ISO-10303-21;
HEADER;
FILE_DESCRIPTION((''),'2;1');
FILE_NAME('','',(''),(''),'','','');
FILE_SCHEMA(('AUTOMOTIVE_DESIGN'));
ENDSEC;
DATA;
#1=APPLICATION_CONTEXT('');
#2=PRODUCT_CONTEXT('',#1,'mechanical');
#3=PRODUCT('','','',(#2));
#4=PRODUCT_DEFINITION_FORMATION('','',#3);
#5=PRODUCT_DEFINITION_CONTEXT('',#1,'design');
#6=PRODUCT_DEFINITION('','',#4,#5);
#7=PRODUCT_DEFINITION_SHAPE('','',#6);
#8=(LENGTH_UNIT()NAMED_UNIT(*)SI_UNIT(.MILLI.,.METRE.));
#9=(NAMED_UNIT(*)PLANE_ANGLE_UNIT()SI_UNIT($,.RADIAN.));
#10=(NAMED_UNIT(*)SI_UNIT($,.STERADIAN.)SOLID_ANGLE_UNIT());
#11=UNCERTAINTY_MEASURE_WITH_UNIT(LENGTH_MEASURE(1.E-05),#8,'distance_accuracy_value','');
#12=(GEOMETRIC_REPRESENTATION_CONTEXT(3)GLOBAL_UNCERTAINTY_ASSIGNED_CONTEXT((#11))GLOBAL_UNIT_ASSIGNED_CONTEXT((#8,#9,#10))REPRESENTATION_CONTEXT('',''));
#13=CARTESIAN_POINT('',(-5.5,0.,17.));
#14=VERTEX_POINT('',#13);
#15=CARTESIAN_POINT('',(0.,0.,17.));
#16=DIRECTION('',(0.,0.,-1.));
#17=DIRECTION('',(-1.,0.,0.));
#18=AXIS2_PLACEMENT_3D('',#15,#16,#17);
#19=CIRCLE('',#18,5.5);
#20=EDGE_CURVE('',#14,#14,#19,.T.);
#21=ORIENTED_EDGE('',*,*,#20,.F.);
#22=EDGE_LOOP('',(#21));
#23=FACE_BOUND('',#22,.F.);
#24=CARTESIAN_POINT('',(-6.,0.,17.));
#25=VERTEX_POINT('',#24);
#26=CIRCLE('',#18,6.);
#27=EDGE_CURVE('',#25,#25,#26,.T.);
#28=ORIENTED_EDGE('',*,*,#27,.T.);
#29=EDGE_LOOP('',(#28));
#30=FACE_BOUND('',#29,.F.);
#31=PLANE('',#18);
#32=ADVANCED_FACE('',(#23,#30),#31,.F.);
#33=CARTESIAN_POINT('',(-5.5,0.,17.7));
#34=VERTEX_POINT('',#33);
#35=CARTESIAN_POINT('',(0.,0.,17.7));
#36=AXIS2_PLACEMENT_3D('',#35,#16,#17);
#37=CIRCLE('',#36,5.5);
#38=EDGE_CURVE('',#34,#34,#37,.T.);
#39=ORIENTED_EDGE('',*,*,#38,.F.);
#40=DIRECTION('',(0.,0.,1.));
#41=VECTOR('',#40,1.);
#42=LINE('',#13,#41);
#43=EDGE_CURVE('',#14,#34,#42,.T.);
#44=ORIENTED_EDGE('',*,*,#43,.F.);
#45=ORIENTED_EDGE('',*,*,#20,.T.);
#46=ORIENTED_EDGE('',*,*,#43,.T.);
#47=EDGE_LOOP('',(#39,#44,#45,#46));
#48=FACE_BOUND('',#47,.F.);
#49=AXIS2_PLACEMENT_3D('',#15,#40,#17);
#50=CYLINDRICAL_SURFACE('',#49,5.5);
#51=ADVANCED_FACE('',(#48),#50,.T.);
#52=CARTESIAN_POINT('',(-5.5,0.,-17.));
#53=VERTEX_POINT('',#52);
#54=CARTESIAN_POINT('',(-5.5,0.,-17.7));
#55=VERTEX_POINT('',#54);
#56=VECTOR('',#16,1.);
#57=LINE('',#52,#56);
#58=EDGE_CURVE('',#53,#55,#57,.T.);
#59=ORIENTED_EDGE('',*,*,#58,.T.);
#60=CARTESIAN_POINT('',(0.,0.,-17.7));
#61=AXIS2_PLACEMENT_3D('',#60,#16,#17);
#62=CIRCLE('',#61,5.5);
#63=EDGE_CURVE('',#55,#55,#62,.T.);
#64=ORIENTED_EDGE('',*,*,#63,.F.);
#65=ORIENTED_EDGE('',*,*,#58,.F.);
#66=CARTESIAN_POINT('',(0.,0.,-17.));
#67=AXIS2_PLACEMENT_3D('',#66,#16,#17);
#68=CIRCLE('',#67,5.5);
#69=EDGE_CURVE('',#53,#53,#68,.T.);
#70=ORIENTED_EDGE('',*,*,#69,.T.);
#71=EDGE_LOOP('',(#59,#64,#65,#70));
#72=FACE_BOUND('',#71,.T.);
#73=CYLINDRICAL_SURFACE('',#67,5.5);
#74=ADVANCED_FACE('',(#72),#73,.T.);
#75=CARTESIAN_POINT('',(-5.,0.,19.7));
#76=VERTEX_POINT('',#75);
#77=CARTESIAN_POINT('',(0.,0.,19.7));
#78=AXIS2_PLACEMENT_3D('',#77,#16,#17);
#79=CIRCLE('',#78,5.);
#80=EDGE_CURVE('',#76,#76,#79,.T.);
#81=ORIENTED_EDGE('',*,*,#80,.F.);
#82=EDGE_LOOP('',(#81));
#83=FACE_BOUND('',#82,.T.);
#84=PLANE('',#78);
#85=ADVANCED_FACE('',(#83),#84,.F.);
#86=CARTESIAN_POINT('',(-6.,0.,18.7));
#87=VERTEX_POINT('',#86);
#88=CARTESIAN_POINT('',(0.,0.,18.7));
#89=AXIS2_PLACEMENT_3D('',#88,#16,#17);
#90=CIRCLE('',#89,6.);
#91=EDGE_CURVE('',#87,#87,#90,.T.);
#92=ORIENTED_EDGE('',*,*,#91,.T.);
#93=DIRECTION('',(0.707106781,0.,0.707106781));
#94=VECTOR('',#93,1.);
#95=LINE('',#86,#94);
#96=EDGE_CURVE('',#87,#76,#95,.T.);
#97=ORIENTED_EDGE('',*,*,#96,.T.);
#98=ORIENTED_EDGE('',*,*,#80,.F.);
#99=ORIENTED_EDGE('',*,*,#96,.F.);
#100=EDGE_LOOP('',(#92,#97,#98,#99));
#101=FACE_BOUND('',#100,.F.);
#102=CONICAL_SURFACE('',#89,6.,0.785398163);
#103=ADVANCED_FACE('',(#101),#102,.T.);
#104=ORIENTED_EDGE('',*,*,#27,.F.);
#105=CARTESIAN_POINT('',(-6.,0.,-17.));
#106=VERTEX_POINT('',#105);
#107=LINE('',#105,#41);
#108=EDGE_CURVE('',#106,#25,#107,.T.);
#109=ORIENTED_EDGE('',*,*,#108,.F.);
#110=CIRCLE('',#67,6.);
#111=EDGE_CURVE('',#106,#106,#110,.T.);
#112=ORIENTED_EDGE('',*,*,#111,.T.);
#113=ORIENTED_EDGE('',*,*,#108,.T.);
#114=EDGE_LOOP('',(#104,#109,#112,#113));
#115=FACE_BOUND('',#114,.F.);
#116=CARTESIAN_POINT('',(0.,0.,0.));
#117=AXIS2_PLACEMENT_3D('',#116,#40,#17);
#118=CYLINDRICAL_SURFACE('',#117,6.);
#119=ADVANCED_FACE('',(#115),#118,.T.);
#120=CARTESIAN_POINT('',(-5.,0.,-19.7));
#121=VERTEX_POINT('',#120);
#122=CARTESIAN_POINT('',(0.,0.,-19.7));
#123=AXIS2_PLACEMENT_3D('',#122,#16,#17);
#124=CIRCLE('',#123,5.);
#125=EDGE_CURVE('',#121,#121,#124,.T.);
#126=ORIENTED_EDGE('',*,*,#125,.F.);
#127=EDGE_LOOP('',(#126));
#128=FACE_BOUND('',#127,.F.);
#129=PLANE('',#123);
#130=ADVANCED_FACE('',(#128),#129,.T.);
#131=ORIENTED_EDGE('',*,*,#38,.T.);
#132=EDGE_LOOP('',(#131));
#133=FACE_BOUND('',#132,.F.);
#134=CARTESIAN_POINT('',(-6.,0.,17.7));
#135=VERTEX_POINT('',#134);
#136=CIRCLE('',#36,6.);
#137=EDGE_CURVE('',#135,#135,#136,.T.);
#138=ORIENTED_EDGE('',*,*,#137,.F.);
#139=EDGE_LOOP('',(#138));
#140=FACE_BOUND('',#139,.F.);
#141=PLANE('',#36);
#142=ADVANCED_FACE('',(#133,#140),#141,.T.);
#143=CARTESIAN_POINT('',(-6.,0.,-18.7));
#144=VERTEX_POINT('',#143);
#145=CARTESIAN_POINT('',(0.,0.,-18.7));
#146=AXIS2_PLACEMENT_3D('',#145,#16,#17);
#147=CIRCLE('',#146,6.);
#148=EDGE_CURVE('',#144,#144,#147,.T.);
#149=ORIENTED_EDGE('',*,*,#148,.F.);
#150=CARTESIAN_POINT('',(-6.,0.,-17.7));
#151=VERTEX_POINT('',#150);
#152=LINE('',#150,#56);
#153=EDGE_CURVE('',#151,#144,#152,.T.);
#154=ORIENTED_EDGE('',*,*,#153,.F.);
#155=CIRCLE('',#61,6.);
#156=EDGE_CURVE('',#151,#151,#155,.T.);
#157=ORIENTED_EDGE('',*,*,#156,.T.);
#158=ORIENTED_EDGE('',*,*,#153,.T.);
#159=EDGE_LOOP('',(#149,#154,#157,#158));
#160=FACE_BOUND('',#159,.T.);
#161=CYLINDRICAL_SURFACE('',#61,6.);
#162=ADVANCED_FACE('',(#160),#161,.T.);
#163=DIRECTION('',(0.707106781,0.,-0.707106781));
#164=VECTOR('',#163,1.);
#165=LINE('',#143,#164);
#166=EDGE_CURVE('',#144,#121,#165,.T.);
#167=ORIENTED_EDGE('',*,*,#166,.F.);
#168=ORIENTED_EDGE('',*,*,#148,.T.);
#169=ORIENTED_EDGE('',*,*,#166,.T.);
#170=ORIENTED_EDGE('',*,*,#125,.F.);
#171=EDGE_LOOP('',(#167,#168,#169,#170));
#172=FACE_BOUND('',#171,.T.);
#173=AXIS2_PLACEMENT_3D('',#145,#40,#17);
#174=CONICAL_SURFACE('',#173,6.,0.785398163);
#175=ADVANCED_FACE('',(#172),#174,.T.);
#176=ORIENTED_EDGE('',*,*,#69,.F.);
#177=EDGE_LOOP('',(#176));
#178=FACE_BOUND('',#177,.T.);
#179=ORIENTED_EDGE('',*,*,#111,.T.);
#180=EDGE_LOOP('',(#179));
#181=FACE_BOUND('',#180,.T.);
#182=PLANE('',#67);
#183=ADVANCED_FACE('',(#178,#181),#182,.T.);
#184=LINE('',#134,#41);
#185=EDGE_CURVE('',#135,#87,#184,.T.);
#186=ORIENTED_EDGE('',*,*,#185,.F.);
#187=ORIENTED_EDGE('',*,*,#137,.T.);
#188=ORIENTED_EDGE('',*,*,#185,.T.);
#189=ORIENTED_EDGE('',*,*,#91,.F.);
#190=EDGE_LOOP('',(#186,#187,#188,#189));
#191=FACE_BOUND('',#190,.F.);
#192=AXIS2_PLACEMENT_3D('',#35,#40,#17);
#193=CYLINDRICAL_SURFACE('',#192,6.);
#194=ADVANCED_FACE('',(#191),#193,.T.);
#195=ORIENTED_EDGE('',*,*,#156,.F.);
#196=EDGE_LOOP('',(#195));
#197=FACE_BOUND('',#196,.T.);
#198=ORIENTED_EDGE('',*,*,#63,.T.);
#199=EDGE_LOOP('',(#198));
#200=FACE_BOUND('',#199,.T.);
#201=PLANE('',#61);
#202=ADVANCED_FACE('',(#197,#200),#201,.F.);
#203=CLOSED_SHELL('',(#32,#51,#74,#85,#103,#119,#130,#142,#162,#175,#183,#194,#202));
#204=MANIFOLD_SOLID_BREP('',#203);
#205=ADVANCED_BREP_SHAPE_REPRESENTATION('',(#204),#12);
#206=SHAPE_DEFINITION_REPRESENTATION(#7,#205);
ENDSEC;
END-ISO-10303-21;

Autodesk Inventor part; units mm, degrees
ref_plane "YZ Plane" through (0, 0, 0) normal (1, 0, 0) x (0, 1, 0)
ref_plane "XZ Plane" through (0, 0, 0) normal (0, 1, 0) x (-1, 0, 0)
ref_plane "XY Plane" through (0, 0, 0) normal (0, 0, 1) x (1, 0, 0)
sketch "Sketch1" plane through (0, 0, 0) normal (0, 1, 0) x (-1, 0, 0)
  line L0 (0, 0) -> (6, 0)
  line L1 (6, 0) -> (6, -17)
  line L2 (6, -17) -> (5.5, -17)
  line L3 (5.5, -17) -> (5.5, -17.7)
  line L4 (0, -19.7) -> (0, 0)
  line L5 (5.5, -17.7) -> (6, -17.7)
  line L6 (6, -17.7) -> (6, -18.7)
  line L7 (0, -19.7) -> (5, -19.7)
  line L8 (6, -18.7) -> (5, -19.7)
  line L9 (6, 0) -> (6, 17)
  line L10 (6, 17) -> (5.5, 17)
  line L11 (5.5, 17) -> (5.5, 17.7)
  line L12 (0, 19.7) -> (0, 0)
  line L13 (5.5, 17.7) -> (6, 17.7)
  line L14 (6, 17.7) -> (6, 18.7)
  line L15 (0, 19.7) -> (5, 19.7)
  line L16 (6, 18.7) -> (5, 19.7)
  point P0 (6, -19.7)
  dimension "d0" = 6
  dimension "d1" = 17
  dimension "d2" = 0.7
  dimension "d3" = 0.5
  dimension "d7" = 2
  dimension "d8" = 1
  dimension "d9" = 1
revolve "Revolution1" add sketch "Sketch1" angle 360 about axis through (0, 0, 19.7) along (0, 0, -1)
equation "\"d9\" = d8"
properties part number "Pin til stang"
